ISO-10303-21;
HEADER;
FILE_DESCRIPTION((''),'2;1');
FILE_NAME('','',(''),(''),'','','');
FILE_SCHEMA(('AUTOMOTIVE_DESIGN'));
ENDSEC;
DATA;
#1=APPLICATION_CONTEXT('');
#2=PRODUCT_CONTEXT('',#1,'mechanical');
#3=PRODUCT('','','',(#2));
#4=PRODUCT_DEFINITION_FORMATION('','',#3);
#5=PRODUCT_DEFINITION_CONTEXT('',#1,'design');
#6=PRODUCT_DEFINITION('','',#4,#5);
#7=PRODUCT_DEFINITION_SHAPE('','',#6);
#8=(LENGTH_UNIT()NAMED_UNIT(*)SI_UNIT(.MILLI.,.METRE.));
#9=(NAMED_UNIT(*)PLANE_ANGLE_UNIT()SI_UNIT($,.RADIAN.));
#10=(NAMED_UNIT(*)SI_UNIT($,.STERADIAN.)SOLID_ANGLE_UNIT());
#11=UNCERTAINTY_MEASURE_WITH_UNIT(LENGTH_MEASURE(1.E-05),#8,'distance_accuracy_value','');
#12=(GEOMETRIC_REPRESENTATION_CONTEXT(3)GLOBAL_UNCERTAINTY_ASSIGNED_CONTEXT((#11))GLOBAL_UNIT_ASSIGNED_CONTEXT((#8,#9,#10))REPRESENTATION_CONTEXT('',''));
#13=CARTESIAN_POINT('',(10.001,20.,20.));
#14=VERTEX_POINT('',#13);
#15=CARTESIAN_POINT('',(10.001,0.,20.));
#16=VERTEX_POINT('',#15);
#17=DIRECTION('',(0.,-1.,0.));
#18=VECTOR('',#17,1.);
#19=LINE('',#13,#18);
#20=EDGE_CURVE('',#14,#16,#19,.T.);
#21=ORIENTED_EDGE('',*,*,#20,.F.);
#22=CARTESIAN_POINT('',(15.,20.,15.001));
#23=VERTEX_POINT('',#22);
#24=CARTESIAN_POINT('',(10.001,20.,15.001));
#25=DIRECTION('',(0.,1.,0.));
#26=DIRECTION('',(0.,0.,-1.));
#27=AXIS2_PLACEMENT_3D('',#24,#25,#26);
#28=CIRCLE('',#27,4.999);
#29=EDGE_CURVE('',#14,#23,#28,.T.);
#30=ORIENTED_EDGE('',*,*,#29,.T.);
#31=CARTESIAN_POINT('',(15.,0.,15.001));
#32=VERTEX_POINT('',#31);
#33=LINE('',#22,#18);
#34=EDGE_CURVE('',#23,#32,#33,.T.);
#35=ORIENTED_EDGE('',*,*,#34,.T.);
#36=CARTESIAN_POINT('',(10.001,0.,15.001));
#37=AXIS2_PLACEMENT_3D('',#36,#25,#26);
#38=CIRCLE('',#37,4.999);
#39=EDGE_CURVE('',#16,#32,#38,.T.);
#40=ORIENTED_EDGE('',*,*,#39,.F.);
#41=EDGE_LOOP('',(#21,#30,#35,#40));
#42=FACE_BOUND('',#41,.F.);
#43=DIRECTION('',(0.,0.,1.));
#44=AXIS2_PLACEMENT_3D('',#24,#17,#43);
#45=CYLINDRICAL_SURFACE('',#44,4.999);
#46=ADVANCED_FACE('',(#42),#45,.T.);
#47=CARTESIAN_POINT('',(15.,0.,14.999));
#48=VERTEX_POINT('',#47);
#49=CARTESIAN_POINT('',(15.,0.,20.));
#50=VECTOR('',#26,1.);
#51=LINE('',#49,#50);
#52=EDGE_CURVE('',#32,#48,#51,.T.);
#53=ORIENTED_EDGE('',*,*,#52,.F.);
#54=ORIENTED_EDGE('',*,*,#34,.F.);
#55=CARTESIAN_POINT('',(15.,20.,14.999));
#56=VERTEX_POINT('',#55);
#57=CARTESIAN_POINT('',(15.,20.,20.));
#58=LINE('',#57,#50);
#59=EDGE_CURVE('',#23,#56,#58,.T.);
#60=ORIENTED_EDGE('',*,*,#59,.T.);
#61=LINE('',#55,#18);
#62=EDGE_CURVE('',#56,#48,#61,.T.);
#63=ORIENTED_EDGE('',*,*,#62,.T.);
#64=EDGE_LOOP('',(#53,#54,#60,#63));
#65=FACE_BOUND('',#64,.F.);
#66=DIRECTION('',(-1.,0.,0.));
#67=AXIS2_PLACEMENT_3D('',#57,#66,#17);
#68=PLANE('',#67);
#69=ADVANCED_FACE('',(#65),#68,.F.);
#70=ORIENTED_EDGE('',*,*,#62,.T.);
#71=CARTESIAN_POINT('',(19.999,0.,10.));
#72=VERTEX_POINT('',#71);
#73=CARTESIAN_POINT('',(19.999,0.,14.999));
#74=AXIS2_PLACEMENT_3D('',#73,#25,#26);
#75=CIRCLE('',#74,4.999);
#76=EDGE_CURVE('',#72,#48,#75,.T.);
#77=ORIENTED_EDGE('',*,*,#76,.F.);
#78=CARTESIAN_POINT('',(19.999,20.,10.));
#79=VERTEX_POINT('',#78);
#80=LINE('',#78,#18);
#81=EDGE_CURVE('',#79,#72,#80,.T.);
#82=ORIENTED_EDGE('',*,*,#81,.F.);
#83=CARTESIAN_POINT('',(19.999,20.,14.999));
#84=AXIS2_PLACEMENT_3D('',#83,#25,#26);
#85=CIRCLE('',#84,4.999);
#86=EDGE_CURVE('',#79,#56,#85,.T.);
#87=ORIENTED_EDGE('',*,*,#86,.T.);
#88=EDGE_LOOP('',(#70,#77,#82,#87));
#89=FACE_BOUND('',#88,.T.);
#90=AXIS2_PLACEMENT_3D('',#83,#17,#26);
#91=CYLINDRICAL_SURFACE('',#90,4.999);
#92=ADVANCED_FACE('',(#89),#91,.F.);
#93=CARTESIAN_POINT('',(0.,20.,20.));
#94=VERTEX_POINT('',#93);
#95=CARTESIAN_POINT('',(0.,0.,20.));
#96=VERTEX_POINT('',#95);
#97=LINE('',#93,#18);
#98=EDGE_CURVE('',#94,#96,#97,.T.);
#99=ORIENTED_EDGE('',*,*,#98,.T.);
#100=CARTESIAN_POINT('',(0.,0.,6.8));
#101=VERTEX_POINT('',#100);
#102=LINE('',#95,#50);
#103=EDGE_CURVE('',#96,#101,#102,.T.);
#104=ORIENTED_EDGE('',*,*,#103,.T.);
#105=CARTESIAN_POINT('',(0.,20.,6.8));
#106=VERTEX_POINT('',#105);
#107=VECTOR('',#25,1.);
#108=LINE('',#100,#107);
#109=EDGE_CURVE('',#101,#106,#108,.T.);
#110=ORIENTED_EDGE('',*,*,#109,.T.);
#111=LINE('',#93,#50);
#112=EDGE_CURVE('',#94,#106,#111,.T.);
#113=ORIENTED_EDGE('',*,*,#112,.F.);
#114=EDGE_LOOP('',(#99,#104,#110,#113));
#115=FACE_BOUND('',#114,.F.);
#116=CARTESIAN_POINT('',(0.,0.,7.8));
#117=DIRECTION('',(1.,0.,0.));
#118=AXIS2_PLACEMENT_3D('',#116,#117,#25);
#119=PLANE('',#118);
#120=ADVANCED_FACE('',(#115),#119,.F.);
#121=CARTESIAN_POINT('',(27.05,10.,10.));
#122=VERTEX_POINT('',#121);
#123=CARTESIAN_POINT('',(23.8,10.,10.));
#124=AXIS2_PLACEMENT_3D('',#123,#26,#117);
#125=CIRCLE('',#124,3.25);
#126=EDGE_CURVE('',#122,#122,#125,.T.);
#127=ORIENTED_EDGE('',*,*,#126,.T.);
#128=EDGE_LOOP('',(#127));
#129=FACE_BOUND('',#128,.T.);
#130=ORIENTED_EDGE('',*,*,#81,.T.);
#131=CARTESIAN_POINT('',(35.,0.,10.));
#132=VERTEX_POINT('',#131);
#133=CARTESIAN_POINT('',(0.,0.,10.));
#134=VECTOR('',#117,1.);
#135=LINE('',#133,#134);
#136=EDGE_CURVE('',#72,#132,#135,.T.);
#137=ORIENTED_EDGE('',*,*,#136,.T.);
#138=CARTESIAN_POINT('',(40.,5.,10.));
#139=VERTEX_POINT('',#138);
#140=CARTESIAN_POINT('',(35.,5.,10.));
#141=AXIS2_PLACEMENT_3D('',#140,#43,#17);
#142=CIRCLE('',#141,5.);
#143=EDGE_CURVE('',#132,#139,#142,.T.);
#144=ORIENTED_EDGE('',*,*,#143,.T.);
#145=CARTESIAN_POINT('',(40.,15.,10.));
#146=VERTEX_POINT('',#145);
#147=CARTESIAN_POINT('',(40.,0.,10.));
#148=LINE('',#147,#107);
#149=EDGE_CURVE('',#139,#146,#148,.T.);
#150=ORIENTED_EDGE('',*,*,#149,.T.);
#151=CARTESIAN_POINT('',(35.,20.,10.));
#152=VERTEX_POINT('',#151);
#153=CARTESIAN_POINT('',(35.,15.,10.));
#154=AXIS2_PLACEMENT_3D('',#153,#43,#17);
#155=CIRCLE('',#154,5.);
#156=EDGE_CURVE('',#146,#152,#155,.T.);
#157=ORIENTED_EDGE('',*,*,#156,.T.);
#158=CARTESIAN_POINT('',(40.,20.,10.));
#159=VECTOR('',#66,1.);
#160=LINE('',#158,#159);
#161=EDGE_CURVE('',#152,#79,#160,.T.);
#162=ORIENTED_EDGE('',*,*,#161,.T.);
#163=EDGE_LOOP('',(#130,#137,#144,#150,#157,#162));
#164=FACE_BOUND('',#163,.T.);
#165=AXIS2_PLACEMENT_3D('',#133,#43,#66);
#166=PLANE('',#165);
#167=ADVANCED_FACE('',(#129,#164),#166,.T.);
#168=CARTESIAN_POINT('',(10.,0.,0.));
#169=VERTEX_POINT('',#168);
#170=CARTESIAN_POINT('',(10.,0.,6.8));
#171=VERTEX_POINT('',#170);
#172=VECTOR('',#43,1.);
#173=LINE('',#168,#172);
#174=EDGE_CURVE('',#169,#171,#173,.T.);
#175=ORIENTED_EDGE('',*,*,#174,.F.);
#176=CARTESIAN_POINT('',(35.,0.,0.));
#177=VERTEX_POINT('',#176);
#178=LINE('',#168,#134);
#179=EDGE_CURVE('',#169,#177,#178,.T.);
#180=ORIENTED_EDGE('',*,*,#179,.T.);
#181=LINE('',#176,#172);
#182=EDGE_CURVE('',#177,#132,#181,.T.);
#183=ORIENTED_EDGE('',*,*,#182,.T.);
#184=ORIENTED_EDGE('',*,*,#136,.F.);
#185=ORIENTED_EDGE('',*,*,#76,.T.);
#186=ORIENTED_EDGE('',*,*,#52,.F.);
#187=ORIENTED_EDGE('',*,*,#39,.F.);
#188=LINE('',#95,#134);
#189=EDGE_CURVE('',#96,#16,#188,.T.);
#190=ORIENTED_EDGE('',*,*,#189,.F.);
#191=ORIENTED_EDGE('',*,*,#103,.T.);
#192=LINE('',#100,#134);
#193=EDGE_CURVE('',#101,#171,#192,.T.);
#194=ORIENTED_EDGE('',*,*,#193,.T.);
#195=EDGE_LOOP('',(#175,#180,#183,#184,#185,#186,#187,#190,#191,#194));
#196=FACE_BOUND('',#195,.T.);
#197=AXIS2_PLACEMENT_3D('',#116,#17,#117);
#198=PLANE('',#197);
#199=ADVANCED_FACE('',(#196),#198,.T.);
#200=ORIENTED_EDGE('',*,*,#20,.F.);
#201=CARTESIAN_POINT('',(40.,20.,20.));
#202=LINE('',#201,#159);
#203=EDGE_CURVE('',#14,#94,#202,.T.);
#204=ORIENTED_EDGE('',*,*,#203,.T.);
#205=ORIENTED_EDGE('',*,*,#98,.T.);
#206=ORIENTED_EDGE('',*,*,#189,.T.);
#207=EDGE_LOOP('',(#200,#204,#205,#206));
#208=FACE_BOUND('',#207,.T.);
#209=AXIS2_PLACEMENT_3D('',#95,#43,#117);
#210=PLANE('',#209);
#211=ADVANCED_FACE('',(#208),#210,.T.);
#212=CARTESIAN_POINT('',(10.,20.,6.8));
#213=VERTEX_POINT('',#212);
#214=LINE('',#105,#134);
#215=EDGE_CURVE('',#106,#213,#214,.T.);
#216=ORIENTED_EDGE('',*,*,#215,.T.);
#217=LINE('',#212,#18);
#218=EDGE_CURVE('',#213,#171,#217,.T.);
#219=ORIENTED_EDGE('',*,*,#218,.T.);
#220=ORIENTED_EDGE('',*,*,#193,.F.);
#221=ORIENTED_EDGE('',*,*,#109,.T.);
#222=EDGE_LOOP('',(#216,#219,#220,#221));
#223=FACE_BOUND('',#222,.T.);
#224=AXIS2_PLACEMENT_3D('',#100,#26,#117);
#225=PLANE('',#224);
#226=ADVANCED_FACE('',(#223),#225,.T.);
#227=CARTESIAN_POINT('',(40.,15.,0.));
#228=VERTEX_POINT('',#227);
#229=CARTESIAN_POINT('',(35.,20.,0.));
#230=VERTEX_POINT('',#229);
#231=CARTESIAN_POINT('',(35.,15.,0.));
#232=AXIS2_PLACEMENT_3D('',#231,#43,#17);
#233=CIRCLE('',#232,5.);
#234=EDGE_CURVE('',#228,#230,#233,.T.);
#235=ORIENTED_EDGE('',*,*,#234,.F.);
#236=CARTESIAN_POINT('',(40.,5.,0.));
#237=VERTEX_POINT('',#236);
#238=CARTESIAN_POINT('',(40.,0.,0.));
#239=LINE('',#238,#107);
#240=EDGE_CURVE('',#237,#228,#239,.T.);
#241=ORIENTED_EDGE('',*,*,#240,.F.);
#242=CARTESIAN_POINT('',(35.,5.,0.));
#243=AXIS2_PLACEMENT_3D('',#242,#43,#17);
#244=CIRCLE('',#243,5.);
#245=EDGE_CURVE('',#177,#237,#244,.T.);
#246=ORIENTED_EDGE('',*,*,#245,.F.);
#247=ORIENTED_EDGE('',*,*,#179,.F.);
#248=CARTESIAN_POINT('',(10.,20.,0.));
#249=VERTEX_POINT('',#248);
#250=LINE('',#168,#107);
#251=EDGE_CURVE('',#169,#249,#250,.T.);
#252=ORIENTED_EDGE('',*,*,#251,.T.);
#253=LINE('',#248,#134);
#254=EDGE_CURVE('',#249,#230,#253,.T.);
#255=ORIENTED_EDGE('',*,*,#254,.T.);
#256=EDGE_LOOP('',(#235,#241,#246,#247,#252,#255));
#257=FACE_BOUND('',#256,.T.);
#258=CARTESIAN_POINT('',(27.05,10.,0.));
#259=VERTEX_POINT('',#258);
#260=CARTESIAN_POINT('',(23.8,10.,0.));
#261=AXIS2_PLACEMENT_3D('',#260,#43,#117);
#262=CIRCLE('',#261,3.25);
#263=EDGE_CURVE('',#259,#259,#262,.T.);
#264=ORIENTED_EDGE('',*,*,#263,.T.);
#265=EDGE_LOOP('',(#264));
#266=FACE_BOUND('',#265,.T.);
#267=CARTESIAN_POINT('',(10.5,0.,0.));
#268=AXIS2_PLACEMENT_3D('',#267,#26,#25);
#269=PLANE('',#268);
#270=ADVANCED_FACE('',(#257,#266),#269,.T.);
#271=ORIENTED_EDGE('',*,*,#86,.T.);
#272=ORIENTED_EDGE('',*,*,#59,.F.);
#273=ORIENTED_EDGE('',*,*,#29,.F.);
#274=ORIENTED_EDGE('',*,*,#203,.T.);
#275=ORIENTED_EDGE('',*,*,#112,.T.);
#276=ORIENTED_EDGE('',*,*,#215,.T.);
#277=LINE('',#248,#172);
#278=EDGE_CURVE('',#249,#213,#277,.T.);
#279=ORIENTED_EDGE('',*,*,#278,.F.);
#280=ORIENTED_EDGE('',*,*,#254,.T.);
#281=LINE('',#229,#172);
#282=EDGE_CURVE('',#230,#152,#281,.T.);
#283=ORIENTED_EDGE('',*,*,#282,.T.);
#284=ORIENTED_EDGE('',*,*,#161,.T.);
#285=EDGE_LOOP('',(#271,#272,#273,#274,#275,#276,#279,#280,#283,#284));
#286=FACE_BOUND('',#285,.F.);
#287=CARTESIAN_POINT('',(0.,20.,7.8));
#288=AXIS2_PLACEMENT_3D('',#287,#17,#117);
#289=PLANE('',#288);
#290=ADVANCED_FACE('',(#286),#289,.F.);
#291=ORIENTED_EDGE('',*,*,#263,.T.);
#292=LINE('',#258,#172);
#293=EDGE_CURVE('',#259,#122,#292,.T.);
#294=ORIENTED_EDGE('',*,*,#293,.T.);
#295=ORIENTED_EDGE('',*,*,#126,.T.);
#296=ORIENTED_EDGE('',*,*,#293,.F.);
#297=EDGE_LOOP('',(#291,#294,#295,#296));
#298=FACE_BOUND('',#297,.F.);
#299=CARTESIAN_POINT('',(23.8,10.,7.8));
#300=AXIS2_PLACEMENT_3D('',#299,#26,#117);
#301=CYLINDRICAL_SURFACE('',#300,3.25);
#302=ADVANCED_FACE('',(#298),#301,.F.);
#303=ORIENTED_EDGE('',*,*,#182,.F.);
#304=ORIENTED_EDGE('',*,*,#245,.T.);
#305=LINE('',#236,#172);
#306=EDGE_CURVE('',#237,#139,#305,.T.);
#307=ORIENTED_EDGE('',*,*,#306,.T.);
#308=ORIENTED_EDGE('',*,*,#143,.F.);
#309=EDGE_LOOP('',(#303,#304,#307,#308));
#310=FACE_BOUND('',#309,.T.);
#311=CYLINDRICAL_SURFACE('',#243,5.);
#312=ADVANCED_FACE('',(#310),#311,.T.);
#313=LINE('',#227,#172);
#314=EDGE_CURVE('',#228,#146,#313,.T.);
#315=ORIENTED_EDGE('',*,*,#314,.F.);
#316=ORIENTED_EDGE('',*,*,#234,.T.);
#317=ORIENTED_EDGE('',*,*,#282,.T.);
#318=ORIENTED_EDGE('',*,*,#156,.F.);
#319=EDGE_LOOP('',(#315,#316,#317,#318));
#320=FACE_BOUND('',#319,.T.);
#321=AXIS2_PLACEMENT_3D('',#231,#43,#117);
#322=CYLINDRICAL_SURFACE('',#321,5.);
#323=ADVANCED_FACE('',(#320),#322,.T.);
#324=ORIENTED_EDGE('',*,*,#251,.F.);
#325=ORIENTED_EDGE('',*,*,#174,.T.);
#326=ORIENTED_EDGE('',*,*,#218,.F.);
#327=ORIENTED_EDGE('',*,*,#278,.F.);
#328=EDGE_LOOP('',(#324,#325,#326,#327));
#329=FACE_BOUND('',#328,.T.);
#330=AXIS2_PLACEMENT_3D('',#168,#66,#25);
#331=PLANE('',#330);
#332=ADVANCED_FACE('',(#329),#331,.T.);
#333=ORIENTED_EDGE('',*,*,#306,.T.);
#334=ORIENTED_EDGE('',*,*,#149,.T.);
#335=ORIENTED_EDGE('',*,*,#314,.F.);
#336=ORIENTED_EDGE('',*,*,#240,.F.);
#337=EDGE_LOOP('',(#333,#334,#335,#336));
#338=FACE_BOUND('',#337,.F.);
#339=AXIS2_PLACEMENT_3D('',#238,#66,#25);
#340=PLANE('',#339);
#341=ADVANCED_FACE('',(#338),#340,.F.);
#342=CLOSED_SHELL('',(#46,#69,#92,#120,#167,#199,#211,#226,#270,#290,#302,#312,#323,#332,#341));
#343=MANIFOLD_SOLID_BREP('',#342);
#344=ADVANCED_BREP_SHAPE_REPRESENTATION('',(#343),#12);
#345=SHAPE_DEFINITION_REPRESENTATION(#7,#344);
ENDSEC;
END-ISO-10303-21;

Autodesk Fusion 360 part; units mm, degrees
sketch "Sketch1" plane through (0, 0, 0) normal (0, 0, 1) x (1, 0, 0)
  line L0 (0, 0) -> (40, 0)
  line L1 (40, 0) -> (40, 20)
  line L2 (40, 20) -> (0, 20)
  line L3 (0, 20) -> (0, 0)
  dimension "d1" = 40
  dimension "d2" = 20
extrude "Extrude1" add sketch "Sketch1" along normal blind 20
sketch "Sketch2" plane through (0, 0, 0) normal (0, 0, -1) x (1, 0, 0)
  line L0 (0, 0) -> (0, -20)
  line L1 (0, -20) -> (40, -20)
  line L2 (40, -20) -> (40, 0)
  line L3 (40, 0) -> (0, 0)
  line L4 (0, 0) -> (10, 0)
  line L5 (10, 0) -> (10, -20)
  line L6 (10, -20) -> (0, -20)
  line L7 (0, -20) -> (0, 0)
  line L8 (10, -10) -> (23.8, -10)
  circle A0 centre (23.8, -10) radius 3.25
  dimension "d5" = 10
  dimension "d6" = 20
  dimension "d7" = 13.8
  dimension "d8" = 6.5
extrude "Extrude2" cut sketch "Sketch2" against normal blind 7.8 contours L0 L1 L3 L4 L5 L6 L7 | A0
extrude "Extrude3" cut 1 faces at (24.5115, 8.6722, 7.8) along direction (0, 0, 1) blind 210
sketch "Sketch3" plane through (0, 0, 20) normal (0, 0, 1) x (-1, 0, 0)
  circle A0 centre (-23.8, -10) radius 3.25
  line L0 (0, -20) -> (0, 0)
  line L1 (0, 0) -> (-40, 0)
  line L2 (-40, 0) -> (-40, -20)
  line L3 (-40, -20) -> (0, -20)
  line L4 (-40, -20) -> (-15, -20)
  line L5 (-15, -20) -> (-15, 0)
  line L6 (-15, 0) -> (-40, 0)
  line L7 (-40, 0) -> (-40, -20)
  dimension "d13" = 25
  dimension "d14" = 20
extrude "Extrude4" cut sketch "Sketch3" against normal blind 10 contours L1 L2 L3 L4 L5 L6 L7
fillet "Fillet1" radius 5 2 edges at (15, 10, 10) (15, 10, 20)
fillet "Fillet2" radius 5 2 edges at (40, 0, 5) (40, 20, 5)
sketch "Sketch4" plane through (0, 0, 0) normal (0, 1, 0) x (1, 0, 0)
extrude "Extrude5" cut 1 faces at (10, 6.6667, 2.6) along direction (1, 0, 0) blind 0.5
extrude "Extrude6" add 1 faces at (10.5, 6.6667, 2.6) along direction (-1, 0, 0) blind 0.5
sketch "Sketch5" plane through (0, 0, 20) normal (0, 0, 1) x (-1, 0, 0)
  line L0 (-10, 0) -> (-10, -20)
  line L1 (-10, -20) -> (0, -20)
  line L2 (0, -20) -> (0, 0)
  line L3 (0, 0) -> (-10, 0)
sketch "Sketch6" plane through (0, 0, 0) normal (0, -1, 0) x (1, 0, 0)
  line L0 (10, 0) -> (35, 0)
  line L1 (35, 0) -> (35, 10)
  line L2 (35, 10) -> (20, 10)
  arc A0 (15, 15) -> (20, 10) centre (20, 15) ccw
  arc A1 (15, 15) -> (10, 20) centre (10, 15) ccw
  line L3 (10, 20) -> (0, 20)
  line L4 (0, 20) -> (0, 7.8)
  line L5 (0, 7.8) -> (10, 7.8)
  line L6 (10, 7.8) -> (10, 0)
sketch "Sketch7" plane through (0, 0, 0) normal (0, -1, 0) x (1, 0, 0)
sketch "Sketch8" plane through (0, 0, 10) normal (0, 0, 1) x (-1, 0, 0)
  arc A0 (-40, -15) -> (-35, -20) centre (-35, -15) ccw
  line L0 (-35, -20) -> (-20, -20)
  line L1 (-20, -20) -> (-20, 0)
  line L2 (-20, 0) -> (-35, 0)
  arc A1 (-35, 0) -> (-40, -5) centre (-35, -5) ccw
  line L3 (-40, -5) -> (-40, -15)
  circle A2 centre (-23.8, -10) radius 3.25
extrude "Extrude7" add 1 faces at (3.3333, 6.6667, 7.8) along direction (0, 0, -1) blind 1
